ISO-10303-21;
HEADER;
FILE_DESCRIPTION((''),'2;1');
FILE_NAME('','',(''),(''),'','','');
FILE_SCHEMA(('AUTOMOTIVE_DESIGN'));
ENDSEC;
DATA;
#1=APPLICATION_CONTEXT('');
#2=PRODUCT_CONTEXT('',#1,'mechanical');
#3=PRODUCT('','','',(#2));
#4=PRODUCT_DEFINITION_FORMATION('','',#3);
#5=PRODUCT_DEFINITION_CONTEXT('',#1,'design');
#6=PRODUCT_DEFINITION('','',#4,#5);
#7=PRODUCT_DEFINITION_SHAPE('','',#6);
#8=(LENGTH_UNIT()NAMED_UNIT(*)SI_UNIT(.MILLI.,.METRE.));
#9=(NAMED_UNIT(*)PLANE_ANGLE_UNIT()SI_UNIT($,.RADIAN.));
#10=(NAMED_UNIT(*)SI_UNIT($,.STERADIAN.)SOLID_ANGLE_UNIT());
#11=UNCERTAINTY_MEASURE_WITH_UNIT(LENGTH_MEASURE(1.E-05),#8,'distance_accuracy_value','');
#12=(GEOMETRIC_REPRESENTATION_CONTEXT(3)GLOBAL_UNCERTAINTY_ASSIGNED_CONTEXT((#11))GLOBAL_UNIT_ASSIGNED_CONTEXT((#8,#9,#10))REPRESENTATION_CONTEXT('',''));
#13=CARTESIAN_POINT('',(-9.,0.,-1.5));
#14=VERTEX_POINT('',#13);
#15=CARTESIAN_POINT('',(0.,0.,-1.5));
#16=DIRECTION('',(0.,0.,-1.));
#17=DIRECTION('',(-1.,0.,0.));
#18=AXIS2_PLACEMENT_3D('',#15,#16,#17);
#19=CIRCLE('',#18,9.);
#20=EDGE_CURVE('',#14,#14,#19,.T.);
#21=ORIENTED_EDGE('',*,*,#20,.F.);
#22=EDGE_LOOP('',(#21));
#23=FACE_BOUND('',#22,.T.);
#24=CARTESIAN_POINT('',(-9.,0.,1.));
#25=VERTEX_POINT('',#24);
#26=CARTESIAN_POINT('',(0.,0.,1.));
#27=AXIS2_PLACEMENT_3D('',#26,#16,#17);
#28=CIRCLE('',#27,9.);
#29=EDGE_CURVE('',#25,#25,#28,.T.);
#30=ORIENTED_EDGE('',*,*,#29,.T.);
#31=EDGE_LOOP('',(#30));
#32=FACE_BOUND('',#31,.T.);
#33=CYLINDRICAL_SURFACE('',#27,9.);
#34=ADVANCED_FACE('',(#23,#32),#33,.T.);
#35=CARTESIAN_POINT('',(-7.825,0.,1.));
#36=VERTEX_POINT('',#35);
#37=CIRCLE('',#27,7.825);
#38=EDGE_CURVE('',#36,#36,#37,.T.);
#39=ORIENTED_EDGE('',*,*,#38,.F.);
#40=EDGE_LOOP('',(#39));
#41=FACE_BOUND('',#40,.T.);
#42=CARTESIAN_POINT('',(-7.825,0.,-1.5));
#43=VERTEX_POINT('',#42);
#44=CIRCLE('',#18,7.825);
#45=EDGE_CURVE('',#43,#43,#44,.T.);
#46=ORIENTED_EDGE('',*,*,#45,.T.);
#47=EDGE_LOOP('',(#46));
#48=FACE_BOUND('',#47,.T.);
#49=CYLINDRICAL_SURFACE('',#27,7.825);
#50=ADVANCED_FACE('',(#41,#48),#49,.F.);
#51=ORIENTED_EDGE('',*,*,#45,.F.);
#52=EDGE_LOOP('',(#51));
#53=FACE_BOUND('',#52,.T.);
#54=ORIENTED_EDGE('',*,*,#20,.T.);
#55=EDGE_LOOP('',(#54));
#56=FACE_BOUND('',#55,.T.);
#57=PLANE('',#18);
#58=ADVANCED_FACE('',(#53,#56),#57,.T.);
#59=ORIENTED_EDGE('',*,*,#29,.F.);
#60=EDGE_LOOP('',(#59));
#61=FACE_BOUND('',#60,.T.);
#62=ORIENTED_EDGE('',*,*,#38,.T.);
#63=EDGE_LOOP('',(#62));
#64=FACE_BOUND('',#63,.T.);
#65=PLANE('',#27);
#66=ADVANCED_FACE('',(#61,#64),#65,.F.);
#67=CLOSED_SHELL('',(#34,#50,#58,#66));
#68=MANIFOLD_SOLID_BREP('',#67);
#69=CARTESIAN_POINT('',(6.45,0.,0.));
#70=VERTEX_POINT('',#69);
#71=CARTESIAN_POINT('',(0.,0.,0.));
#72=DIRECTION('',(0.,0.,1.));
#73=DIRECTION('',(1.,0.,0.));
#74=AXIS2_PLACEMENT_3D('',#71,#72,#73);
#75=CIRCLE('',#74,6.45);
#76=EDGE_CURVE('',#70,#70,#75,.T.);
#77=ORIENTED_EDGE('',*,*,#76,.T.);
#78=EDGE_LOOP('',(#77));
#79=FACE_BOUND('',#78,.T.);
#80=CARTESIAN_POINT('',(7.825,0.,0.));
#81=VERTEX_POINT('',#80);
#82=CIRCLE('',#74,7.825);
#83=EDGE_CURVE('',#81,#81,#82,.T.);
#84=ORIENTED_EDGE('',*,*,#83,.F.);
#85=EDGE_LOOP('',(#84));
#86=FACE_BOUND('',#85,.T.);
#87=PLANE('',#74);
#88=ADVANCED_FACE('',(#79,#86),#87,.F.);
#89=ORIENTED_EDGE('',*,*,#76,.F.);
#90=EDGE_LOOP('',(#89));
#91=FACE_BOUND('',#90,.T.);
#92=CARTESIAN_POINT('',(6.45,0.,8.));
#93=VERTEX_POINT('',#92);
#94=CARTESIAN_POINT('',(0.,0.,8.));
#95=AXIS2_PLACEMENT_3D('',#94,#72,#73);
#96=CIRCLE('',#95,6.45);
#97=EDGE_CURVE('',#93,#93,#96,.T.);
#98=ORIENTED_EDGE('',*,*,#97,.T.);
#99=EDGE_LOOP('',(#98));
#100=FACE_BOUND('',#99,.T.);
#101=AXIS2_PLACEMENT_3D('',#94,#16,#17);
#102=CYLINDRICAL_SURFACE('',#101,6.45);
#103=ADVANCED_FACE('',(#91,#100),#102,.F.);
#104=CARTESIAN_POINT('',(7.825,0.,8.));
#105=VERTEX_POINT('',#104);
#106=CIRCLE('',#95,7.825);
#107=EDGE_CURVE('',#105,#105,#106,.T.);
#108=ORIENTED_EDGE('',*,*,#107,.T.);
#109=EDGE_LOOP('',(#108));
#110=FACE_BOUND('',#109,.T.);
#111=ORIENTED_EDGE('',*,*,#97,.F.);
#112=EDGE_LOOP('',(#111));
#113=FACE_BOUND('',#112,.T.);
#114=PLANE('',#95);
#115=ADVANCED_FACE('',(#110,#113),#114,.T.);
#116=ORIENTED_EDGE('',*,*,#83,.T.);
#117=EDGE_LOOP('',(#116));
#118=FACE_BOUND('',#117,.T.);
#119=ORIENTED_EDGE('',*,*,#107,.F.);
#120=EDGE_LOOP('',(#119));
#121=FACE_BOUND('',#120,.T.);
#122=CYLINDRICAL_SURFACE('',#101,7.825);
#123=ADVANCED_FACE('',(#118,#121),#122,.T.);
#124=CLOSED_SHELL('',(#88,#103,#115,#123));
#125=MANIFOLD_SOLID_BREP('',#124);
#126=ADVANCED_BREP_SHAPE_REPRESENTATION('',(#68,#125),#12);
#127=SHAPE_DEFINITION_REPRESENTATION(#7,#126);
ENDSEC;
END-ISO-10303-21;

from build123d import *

# Parameters (mm, degrees)
SKETCH1_R                = 7.825
SKETCH1_R_2              = 6.45
BOSS_EXTRUDE1_DEPTH      = 8
SKETCH2_R                = 9
SKETCH2_R_2              = 7.825
BOSS_EXTRUDE2_DEPTH      = 1.5
BOSS_EXTRUDE2_DEPTH_BACK = 1


with BuildPart() as part:
    # Sketch1 → Boss-Extrude1 (new body)
    with BuildSketch(Plane.XY):
        Circle(SKETCH1_R)
        Circle(SKETCH1_R_2, mode=Mode.SUBTRACT)
    extrude(amount=BOSS_EXTRUDE1_DEPTH)


with BuildPart() as body_2:
    # Sketch2 → Boss-Extrude2 (new body, two sides)
    with BuildSketch(Plane(origin=(0, 0, 0), x_dir=(-1, 0, 0), z_dir=(0, 0, -1))) as boss_extrude2_sk:
        Circle(SKETCH2_R)
        Circle(SKETCH2_R_2, mode=Mode.SUBTRACT)
    extrude(amount=BOSS_EXTRUDE2_DEPTH)
    extrude(boss_extrude2_sk.sketch, amount=-BOSS_EXTRUDE2_DEPTH_BACK)


solid = Compound([part.part, body_2.part])
